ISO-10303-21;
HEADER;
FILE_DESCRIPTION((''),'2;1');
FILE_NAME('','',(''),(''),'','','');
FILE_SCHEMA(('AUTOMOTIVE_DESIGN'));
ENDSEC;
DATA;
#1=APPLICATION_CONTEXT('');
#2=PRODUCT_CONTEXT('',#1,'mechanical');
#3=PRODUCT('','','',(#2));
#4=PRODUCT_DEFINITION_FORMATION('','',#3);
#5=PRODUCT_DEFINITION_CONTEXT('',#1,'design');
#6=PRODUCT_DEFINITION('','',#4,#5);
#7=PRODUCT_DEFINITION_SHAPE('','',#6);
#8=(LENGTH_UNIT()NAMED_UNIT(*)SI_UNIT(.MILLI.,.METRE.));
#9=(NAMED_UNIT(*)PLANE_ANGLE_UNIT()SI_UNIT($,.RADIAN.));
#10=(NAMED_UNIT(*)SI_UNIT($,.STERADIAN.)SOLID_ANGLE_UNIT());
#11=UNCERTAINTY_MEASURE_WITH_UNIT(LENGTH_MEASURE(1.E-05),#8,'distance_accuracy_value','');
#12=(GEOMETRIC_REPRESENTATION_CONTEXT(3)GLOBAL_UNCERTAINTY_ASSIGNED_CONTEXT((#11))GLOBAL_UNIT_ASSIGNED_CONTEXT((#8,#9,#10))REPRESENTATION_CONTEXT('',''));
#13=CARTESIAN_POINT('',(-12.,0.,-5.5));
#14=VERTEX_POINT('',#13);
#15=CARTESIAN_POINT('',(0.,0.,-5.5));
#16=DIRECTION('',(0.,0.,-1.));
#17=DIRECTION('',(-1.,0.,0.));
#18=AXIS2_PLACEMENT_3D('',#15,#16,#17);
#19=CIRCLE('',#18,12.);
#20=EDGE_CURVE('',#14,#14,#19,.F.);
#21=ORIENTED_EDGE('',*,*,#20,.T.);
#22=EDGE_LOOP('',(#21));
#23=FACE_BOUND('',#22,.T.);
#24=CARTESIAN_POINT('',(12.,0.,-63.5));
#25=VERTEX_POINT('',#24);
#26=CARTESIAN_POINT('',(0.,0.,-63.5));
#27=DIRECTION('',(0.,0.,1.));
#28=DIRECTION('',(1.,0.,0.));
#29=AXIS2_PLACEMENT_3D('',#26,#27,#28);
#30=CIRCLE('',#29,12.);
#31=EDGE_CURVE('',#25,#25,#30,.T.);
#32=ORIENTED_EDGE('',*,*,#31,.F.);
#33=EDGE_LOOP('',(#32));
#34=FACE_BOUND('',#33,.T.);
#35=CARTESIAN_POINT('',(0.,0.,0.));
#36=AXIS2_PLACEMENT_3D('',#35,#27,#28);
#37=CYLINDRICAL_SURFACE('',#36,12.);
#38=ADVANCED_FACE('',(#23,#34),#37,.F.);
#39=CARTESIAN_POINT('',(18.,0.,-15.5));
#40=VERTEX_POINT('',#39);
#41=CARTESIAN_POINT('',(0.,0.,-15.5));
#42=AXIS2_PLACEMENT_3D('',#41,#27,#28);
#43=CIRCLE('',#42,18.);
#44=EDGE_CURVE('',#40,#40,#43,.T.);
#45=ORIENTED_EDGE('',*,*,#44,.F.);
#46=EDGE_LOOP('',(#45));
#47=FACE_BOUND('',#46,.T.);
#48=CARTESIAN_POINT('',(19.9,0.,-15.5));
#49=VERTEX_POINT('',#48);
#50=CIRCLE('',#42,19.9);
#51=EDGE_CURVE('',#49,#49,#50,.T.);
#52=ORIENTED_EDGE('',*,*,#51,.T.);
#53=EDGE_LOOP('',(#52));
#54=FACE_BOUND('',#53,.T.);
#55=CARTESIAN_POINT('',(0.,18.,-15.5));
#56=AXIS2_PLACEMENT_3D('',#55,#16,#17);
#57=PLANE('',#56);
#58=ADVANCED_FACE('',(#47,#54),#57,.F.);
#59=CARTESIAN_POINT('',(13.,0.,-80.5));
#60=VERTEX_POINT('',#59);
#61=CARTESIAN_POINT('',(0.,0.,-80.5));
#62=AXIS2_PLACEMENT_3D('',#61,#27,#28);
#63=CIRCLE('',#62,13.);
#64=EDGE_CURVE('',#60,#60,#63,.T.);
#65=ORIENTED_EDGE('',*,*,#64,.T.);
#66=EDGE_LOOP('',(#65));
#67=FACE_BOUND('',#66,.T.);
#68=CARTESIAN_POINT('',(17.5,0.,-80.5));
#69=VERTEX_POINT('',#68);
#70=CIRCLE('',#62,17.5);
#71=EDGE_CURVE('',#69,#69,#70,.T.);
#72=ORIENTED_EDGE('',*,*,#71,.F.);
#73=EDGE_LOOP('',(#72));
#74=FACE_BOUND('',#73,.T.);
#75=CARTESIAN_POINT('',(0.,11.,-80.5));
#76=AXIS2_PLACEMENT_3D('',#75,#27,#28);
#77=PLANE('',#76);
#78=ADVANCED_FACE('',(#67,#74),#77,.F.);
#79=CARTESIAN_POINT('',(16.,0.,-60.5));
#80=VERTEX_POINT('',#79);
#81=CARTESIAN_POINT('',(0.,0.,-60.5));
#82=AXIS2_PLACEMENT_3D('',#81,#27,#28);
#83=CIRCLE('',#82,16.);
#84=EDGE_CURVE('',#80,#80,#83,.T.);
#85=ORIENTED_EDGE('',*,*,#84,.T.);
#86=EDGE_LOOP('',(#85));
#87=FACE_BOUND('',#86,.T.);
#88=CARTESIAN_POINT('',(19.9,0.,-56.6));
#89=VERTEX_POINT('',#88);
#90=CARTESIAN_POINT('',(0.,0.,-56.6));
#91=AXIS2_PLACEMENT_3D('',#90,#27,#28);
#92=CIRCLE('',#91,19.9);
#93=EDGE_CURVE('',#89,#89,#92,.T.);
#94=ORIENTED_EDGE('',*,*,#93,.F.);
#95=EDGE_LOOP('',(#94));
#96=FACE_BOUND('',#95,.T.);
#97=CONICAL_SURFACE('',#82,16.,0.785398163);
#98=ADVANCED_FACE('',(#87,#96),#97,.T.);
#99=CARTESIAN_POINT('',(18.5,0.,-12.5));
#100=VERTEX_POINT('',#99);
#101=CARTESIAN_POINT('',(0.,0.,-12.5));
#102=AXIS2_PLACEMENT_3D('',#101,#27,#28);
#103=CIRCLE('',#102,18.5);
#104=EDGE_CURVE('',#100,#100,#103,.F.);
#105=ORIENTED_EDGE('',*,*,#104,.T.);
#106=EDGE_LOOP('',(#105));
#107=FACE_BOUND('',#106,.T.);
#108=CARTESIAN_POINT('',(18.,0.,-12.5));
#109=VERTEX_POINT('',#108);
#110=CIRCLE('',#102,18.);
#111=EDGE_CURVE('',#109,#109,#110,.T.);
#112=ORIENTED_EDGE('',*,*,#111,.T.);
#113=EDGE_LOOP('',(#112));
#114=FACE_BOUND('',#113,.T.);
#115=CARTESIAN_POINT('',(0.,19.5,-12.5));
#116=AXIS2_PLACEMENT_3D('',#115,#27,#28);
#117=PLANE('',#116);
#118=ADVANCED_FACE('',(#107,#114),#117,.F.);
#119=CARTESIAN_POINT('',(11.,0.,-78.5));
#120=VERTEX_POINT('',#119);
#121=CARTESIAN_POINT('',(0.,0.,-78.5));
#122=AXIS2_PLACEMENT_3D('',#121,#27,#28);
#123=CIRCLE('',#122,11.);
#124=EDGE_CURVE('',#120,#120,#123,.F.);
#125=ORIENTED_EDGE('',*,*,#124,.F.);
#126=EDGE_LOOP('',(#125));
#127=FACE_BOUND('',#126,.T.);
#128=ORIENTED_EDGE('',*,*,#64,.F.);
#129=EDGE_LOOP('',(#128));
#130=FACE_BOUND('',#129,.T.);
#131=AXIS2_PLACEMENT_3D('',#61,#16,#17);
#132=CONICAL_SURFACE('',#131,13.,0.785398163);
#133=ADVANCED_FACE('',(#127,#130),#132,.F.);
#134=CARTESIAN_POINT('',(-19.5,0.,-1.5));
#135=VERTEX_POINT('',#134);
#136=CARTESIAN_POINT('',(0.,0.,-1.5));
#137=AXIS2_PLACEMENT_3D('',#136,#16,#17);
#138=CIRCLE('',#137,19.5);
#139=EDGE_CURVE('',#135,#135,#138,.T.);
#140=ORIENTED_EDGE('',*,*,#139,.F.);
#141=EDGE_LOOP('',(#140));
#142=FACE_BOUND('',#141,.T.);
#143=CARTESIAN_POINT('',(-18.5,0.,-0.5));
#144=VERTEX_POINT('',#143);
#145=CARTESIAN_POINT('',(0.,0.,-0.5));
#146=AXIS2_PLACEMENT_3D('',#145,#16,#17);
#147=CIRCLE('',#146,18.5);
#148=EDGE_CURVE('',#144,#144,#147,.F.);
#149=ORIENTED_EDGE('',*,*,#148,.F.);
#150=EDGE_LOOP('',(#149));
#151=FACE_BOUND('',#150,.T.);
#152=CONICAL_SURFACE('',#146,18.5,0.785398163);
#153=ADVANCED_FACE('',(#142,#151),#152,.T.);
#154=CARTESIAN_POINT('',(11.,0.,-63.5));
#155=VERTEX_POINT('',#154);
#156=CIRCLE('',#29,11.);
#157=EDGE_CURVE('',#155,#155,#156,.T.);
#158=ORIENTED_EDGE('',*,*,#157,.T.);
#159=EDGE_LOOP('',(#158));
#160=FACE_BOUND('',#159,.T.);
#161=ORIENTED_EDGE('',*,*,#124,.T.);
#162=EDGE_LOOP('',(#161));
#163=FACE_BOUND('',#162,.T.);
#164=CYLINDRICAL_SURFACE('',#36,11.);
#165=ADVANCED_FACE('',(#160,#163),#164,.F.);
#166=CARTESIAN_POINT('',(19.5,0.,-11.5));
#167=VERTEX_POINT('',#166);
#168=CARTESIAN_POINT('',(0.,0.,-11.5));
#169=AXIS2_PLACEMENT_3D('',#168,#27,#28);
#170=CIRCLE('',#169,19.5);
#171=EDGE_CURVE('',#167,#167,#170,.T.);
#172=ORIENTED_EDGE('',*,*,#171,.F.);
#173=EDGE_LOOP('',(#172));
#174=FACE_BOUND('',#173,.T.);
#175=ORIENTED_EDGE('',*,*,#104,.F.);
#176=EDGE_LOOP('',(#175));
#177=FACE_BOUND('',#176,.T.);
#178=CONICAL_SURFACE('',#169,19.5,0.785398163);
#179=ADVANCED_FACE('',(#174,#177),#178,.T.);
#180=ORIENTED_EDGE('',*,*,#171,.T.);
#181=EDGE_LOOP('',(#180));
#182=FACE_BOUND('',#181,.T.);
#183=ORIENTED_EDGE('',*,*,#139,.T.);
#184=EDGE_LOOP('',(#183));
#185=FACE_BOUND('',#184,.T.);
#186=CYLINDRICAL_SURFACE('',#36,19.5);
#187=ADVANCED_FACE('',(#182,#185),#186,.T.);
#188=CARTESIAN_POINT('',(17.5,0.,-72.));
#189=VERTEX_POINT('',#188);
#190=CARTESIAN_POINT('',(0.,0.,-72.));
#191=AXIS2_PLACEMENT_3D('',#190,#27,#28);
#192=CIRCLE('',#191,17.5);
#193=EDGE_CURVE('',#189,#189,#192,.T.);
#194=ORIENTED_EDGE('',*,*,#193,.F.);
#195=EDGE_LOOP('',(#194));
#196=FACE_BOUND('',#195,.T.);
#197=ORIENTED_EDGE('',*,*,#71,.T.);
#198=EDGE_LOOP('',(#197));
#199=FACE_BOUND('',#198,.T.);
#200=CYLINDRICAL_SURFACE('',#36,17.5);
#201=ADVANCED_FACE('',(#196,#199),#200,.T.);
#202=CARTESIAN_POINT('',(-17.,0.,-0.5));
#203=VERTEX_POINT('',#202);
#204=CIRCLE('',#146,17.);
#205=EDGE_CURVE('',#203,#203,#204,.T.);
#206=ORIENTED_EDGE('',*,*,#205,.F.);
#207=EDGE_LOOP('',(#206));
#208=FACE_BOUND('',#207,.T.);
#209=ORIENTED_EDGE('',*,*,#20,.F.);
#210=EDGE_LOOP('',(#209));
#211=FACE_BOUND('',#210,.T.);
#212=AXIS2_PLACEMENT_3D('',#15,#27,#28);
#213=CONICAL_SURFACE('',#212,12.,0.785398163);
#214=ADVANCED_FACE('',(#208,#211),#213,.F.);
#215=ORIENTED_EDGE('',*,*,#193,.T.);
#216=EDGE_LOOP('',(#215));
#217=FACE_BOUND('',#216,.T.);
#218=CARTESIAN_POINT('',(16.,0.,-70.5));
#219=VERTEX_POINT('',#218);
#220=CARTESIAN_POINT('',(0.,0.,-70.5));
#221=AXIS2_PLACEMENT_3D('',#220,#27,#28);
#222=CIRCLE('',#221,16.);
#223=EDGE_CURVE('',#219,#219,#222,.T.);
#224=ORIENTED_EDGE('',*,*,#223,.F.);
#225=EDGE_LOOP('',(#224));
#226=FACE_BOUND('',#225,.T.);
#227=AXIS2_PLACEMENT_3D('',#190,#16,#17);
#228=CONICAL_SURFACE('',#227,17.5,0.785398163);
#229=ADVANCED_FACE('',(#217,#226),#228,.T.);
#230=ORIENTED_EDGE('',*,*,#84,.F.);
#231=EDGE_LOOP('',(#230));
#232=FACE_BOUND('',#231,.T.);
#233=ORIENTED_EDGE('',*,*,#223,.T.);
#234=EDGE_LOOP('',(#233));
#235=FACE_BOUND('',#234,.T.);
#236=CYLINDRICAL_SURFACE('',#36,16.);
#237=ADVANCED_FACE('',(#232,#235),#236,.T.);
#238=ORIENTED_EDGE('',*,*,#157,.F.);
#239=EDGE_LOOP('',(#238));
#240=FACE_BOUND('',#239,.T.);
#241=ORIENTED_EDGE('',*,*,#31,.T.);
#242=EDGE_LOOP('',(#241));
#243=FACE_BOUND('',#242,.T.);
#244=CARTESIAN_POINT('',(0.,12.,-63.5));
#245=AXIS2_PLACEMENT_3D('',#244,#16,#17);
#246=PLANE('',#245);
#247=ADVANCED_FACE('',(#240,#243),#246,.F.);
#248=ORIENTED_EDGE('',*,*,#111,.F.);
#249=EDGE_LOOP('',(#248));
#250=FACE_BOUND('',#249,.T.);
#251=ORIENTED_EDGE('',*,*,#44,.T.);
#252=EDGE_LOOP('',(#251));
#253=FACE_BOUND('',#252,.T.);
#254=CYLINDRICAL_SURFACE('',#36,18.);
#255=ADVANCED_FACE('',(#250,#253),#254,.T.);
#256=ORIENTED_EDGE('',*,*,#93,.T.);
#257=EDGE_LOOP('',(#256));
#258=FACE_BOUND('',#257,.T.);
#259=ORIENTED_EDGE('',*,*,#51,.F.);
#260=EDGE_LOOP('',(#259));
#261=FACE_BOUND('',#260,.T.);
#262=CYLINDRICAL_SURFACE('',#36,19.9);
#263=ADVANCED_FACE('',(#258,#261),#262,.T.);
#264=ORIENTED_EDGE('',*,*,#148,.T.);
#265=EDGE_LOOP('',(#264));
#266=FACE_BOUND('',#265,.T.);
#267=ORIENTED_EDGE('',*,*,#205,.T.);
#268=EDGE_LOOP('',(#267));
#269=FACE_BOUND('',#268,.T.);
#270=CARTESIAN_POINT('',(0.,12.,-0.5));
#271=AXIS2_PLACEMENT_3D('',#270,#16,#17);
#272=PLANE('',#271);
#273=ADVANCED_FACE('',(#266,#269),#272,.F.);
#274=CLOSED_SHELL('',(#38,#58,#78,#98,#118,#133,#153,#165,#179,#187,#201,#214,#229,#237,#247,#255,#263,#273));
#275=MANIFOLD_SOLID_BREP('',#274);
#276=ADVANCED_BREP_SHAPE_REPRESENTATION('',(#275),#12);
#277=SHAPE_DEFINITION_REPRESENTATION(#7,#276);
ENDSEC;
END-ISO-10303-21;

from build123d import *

# Parameters (mm, degrees)
CHANFRO1_SIZE = 1
CHANFRO3_SIZE = 2
CHANFRO4_SIZE = 5


with BuildPart() as part:
    # Esboço1 → Revolução1 (revolve)
    with BuildSketch(Plane(origin=(0, 0, 0), x_dir=(0, 0, -1), z_dir=(1, 0, 0))):
        Polygon((0.5, 12), (0.5, 19.5), (12.5, 19.5), (12.5, 18), (15.5, 18), (15.5, 19.9), (56.6, 19.9), (60.5, 16), (70.5, 16), (72, 17.5), (80.5, 17.5), (80.5, 12), (80.5, 11), (63.5, 11), (63.5, 12), align=None)
    revolve(axis=Axis((0, 0, 0), (0, 0, -1)))

    # Chanfro1
    chanfro1_edges = [part.edges().sort_by_distance(p)[0] for p in [
        (0, -19.5, -0.5),
        (0, -19.5, -12.5),
    ]]
    chamfer(chanfro1_edges, length=CHANFRO1_SIZE)

    # Chanfro3
    chanfro3_edges = [part.edges().sort_by_distance(p)[0] for p in [
        (0, -11, -80.5),
    ]]
    chamfer(chanfro3_edges, length=CHANFRO3_SIZE)

    # Chanfro4
    chanfro4_edges = [part.edges().sort_by_distance(p)[0] for p in [
        (0, -12, -0.5),
    ]]
    chamfer(chanfro4_edges, length=CHANFRO4_SIZE)


solid = part.part
